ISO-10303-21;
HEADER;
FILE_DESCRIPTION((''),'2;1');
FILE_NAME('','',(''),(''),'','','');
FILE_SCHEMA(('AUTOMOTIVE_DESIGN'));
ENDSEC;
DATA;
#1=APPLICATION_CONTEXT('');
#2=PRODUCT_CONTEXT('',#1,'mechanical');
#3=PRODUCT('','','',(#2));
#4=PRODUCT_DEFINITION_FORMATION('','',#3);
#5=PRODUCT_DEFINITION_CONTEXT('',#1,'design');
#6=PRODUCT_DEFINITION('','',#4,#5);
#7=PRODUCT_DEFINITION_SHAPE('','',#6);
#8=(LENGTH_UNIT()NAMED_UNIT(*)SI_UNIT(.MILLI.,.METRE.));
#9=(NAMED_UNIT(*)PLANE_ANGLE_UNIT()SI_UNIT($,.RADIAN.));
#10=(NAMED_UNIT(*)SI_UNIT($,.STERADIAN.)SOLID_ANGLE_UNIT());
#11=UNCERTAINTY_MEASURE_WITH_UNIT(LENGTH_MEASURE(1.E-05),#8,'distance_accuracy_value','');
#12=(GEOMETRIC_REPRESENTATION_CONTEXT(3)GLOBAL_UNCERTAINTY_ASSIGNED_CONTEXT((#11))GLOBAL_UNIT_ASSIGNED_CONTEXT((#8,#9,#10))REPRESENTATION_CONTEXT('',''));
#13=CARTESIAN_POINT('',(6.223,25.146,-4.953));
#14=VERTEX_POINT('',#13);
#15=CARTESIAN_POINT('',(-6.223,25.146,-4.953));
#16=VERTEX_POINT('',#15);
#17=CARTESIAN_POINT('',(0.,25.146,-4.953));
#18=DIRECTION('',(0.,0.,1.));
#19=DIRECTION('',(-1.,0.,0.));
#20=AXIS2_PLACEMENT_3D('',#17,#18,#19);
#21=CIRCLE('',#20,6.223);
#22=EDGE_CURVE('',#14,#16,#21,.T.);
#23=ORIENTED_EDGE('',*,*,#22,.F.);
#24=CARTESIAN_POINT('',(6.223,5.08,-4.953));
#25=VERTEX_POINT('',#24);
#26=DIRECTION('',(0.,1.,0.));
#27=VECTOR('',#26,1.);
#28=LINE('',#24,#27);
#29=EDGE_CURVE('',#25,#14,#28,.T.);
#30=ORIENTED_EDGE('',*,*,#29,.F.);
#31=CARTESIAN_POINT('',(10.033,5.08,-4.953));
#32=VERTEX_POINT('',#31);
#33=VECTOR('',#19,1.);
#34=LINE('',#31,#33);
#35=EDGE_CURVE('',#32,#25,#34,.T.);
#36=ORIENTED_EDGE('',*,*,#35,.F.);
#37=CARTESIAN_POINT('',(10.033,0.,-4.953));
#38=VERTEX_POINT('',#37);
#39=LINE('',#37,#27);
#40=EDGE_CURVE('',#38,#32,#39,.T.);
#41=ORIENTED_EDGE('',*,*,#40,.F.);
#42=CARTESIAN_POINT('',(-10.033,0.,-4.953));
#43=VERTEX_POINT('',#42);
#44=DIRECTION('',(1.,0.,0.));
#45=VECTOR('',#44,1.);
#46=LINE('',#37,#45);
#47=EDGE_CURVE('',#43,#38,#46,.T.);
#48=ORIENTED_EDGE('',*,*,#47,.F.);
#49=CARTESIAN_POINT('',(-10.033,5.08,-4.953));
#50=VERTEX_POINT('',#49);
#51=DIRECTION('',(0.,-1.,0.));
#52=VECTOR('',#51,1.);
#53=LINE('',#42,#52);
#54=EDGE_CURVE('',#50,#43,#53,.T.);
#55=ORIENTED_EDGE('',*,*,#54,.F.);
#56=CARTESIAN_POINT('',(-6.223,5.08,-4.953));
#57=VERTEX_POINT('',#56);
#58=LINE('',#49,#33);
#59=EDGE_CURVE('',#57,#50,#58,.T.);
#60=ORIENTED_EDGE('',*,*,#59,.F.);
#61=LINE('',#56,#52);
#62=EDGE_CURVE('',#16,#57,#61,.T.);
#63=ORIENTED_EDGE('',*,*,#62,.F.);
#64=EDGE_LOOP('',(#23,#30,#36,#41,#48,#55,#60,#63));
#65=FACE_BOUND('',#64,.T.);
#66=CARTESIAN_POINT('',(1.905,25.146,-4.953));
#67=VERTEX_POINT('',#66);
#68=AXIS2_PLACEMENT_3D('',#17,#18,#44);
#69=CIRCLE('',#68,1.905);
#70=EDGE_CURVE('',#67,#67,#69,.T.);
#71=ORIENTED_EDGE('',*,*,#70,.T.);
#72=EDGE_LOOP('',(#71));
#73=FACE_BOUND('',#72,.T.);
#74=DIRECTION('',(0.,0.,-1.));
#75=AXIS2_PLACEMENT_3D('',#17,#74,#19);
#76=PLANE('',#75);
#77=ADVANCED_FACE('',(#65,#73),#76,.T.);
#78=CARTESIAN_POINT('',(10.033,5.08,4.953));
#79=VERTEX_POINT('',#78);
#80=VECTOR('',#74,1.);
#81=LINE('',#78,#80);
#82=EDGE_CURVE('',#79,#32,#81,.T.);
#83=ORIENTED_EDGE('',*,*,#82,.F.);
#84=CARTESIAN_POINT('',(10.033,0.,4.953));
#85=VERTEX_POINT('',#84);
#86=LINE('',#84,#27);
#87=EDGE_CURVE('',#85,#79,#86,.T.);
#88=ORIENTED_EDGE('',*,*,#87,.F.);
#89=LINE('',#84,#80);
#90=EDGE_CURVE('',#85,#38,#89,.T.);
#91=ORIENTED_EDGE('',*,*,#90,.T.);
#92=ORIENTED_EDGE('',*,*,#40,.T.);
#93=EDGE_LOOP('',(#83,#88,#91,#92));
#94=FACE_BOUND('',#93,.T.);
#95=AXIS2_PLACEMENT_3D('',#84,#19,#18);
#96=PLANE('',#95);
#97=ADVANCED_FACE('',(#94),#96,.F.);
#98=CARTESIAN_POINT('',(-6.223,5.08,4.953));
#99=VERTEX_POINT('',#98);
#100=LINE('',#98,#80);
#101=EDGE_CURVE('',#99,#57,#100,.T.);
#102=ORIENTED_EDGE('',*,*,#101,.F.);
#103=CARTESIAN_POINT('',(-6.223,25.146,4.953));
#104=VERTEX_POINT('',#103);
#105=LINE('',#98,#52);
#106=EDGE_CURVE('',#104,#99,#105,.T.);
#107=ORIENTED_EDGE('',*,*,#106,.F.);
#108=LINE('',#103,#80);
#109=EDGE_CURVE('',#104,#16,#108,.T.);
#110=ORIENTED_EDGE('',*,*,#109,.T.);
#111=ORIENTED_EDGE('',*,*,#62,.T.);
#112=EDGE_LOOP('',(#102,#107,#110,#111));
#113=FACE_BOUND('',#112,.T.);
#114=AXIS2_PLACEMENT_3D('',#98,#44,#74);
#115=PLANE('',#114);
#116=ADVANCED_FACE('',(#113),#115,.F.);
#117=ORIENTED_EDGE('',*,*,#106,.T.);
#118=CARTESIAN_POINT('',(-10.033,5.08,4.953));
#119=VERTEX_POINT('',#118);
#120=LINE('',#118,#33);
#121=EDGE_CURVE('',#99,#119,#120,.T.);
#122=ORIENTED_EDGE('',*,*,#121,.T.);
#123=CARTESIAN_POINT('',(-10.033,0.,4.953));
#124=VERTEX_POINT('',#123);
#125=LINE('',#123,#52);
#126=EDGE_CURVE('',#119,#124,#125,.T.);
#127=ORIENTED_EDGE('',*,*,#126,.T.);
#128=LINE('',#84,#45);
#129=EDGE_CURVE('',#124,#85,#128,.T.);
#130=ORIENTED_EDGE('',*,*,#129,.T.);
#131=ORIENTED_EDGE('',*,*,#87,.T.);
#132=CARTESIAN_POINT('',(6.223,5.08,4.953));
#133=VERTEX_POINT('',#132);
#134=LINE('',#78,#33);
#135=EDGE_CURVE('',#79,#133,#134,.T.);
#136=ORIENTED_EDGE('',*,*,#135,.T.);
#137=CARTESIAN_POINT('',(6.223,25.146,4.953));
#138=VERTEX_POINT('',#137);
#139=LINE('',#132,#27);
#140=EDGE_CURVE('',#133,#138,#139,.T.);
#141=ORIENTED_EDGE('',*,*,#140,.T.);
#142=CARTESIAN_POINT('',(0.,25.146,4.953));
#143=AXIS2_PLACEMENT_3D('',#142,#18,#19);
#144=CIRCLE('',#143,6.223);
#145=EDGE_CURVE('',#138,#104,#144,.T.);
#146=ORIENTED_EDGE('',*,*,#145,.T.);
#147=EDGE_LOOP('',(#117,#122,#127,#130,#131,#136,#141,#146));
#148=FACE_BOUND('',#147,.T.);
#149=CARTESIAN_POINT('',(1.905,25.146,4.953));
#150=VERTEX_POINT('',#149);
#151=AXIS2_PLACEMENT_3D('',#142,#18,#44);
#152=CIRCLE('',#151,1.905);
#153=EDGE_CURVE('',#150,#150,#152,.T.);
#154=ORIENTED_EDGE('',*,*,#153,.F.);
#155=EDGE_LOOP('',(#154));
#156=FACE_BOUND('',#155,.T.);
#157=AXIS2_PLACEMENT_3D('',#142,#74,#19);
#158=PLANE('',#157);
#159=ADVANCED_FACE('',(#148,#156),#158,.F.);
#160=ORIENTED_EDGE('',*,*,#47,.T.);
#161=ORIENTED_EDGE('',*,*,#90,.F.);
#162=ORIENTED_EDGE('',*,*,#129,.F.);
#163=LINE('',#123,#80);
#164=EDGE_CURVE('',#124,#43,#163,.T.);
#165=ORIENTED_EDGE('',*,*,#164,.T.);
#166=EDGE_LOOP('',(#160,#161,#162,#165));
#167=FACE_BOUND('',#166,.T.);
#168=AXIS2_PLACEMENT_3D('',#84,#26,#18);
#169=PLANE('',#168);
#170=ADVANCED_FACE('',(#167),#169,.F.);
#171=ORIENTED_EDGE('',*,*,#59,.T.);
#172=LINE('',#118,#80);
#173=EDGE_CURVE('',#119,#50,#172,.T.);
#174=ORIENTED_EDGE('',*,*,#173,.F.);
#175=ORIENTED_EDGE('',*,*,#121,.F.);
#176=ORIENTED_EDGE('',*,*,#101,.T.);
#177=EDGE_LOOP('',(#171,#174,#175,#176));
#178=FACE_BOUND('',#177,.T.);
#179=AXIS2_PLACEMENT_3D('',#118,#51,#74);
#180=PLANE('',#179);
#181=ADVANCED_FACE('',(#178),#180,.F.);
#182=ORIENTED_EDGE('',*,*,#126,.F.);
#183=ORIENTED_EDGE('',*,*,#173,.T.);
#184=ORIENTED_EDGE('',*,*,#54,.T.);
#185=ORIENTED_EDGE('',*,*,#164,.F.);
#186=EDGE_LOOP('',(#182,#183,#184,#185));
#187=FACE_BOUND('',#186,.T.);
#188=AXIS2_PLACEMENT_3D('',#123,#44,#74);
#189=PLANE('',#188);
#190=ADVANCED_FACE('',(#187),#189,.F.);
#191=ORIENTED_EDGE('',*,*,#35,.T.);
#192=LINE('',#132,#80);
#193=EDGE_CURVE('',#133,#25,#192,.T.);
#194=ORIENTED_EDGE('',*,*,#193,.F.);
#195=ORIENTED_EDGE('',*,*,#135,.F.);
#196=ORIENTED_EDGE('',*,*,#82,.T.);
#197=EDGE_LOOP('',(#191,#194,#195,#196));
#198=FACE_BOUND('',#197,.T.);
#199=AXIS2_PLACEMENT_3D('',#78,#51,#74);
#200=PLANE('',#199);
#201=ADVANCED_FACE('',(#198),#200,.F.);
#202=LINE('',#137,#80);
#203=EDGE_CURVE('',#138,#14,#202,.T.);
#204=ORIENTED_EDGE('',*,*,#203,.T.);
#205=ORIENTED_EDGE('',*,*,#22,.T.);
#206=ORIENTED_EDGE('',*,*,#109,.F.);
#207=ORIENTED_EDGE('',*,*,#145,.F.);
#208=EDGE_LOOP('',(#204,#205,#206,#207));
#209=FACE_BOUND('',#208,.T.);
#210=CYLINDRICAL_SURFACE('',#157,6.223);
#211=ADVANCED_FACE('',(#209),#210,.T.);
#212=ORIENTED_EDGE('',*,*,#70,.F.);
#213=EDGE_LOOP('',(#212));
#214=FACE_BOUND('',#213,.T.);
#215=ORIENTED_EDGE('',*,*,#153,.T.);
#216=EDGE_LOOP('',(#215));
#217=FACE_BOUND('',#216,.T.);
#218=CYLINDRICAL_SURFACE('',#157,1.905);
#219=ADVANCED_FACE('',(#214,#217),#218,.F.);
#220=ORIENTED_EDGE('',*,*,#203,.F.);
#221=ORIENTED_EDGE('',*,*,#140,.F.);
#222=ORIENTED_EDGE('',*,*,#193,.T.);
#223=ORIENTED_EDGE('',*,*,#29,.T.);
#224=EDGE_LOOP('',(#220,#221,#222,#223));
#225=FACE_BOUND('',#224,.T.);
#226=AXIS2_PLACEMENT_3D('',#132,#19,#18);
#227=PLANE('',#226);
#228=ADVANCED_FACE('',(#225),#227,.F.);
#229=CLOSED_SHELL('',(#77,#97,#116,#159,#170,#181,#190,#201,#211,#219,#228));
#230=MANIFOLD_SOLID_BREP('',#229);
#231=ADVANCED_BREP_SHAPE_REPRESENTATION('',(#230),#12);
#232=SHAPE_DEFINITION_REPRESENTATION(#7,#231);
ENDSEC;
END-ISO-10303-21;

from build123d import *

# Parameters (mm, degrees)
SKETCH1_R           = 1.905
BOSS_EXTRUDE1_DEPTH = 4.953


with BuildPart() as part:
    # Sketch1 → Boss-Extrude1 (new, symmetric)
    with BuildSketch(Plane.XY):
        with BuildLine():
            Line((10.033, 0), (-10.033, 0))
            Line((-10.033, 0), (-10.033, 5.08))
            Line((-10.033, 5.08), (-6.223, 5.08))
            Line((-6.223, 5.08), (-6.223, 25.146))
            ThreePointArc((-6.223, 25.146), (0, 31.369), (6.223, 25.146))
            Line((6.223, 25.146), (6.223, 5.08))
            Line((6.223, 5.08), (10.033, 5.08))
            Line((10.033, 5.08), (10.033, 0))
        make_face()
        with Locations((0, 25.146)):
            Circle(SKETCH1_R, mode=Mode.SUBTRACT)
    extrude(amount=BOSS_EXTRUDE1_DEPTH, both=True)


solid = part.part
